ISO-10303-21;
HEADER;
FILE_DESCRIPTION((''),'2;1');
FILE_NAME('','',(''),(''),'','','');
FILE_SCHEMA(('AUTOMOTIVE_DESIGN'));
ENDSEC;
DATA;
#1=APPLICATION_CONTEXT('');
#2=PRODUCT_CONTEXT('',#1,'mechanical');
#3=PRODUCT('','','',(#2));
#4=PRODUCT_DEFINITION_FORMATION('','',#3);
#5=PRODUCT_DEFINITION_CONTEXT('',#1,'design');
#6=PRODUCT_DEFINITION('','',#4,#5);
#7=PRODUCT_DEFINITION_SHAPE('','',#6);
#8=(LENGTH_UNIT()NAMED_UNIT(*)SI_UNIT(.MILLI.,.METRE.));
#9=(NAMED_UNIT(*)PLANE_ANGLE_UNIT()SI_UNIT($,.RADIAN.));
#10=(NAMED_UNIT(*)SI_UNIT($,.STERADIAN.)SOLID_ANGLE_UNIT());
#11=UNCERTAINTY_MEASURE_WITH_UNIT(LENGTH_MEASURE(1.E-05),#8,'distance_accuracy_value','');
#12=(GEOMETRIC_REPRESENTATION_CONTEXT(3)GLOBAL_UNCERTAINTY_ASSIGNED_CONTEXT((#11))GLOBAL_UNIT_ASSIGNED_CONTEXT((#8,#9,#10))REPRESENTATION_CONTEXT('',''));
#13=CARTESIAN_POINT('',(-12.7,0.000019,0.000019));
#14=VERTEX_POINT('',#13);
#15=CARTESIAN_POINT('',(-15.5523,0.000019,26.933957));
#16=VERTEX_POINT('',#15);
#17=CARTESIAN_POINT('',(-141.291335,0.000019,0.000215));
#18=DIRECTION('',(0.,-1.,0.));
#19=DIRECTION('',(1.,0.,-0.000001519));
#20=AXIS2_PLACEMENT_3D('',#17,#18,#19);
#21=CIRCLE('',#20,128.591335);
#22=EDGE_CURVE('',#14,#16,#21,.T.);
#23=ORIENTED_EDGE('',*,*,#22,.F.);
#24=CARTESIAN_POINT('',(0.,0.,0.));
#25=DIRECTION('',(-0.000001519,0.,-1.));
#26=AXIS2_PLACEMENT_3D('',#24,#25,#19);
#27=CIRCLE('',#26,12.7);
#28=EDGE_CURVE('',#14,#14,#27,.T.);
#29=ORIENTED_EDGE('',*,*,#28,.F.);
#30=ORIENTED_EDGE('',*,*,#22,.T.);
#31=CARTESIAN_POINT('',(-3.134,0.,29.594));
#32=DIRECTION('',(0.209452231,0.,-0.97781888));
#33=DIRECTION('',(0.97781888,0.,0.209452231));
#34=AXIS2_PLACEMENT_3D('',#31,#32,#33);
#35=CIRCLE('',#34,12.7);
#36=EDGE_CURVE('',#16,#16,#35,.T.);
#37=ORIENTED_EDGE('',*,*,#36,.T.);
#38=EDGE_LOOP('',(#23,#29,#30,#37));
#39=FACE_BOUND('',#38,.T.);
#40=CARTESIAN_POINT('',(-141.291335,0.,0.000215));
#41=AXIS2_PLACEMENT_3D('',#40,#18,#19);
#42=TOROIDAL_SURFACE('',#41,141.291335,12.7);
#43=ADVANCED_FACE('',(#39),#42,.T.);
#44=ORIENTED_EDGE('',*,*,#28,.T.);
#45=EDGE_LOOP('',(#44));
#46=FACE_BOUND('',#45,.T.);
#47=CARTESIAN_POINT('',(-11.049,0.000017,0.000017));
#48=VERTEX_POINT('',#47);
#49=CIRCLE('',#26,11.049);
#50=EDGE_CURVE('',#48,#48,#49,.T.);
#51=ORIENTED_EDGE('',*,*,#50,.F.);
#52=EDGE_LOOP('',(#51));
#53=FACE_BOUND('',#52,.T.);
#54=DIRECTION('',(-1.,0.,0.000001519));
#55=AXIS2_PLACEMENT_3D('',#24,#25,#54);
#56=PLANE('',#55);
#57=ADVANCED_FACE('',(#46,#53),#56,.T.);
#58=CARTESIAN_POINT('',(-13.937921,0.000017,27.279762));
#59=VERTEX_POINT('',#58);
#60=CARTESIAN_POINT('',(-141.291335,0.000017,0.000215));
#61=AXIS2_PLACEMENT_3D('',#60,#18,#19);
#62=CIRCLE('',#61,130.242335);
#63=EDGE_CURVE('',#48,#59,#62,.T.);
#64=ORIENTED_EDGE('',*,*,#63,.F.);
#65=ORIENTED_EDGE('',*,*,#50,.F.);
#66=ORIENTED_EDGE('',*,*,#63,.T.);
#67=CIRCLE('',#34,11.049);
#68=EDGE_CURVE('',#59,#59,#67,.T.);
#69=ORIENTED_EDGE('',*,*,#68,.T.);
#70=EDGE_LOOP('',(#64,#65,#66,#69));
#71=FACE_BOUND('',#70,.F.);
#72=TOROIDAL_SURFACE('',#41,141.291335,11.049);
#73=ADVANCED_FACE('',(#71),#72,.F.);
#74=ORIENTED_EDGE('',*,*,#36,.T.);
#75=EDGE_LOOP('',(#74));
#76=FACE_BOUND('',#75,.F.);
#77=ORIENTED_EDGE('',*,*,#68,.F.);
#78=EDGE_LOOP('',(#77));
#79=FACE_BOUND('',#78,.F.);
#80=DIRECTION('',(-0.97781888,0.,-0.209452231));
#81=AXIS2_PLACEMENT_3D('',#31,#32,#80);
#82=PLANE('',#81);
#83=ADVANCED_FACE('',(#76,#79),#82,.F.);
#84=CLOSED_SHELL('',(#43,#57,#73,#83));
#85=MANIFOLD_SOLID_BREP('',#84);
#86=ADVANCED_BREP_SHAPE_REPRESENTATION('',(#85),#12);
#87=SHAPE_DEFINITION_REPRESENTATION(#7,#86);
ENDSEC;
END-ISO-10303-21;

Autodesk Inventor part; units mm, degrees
sketch "Sketch" plane through (0, 0, 0) normal (0, 0, -1) x (-1, 0, 0)
  circle A0 centre (0, 0) radius 12.7
  circle A1 centre (0, 0) radius 11.049
  dimension "d0" = 25.4
  dimension "d1" = 1.651
ref_plane "Start Plane" through (0, 0, 0) normal (1, 0, 0) x (0, 1, 0)
ref_plane "End Plane" through (29.8148, 0, 0) normal (1, 0, 0) x (0, 1, 0)
sketch "Sketch2" plane through (0, 0, 0) normal (1, 0, 0) x (0, 1, 0)
  line L0 (0, 0) -> (10, 0)
ref_plane "Work Plane3" through (0, 0, 0) normal (0, 0, -1) x (0, 1, 0)
sketch "Sketch3" plane through (0, 0, 0) normal (0, 0, -1) x (0, 1, 0)
  line L0 (-2, 0) -> (12, 0)
  line L1 (-17.78, 29.8148) -> (17.78, 29.8148)
  dimension "d9" = 29.8148
ref_plane "Orientation Work Plane" through (0, 0, 0) normal (0, 0, -1) x (-1, 0, 0)
sketch3d "Sweep Path"
  arc A0 (0, 0, 0) -> (-3.134, 0, 29.594) centre (-141.2954, 0, 0) ccw
sweep "Body" add profiles "Sketch" path "Sweep Path"
equation "\"G_OFFSET_START\" = 0"
equation "\"G_OFFSET_END\" = 0"
equation "\"d5\" = d2 + G_OFFSET_END"
equation "\"G_L\" = d9"
equation "\"d2\" = 29.814793"
properties part number "4130_1x0.065" material "Steel, Alloy"
